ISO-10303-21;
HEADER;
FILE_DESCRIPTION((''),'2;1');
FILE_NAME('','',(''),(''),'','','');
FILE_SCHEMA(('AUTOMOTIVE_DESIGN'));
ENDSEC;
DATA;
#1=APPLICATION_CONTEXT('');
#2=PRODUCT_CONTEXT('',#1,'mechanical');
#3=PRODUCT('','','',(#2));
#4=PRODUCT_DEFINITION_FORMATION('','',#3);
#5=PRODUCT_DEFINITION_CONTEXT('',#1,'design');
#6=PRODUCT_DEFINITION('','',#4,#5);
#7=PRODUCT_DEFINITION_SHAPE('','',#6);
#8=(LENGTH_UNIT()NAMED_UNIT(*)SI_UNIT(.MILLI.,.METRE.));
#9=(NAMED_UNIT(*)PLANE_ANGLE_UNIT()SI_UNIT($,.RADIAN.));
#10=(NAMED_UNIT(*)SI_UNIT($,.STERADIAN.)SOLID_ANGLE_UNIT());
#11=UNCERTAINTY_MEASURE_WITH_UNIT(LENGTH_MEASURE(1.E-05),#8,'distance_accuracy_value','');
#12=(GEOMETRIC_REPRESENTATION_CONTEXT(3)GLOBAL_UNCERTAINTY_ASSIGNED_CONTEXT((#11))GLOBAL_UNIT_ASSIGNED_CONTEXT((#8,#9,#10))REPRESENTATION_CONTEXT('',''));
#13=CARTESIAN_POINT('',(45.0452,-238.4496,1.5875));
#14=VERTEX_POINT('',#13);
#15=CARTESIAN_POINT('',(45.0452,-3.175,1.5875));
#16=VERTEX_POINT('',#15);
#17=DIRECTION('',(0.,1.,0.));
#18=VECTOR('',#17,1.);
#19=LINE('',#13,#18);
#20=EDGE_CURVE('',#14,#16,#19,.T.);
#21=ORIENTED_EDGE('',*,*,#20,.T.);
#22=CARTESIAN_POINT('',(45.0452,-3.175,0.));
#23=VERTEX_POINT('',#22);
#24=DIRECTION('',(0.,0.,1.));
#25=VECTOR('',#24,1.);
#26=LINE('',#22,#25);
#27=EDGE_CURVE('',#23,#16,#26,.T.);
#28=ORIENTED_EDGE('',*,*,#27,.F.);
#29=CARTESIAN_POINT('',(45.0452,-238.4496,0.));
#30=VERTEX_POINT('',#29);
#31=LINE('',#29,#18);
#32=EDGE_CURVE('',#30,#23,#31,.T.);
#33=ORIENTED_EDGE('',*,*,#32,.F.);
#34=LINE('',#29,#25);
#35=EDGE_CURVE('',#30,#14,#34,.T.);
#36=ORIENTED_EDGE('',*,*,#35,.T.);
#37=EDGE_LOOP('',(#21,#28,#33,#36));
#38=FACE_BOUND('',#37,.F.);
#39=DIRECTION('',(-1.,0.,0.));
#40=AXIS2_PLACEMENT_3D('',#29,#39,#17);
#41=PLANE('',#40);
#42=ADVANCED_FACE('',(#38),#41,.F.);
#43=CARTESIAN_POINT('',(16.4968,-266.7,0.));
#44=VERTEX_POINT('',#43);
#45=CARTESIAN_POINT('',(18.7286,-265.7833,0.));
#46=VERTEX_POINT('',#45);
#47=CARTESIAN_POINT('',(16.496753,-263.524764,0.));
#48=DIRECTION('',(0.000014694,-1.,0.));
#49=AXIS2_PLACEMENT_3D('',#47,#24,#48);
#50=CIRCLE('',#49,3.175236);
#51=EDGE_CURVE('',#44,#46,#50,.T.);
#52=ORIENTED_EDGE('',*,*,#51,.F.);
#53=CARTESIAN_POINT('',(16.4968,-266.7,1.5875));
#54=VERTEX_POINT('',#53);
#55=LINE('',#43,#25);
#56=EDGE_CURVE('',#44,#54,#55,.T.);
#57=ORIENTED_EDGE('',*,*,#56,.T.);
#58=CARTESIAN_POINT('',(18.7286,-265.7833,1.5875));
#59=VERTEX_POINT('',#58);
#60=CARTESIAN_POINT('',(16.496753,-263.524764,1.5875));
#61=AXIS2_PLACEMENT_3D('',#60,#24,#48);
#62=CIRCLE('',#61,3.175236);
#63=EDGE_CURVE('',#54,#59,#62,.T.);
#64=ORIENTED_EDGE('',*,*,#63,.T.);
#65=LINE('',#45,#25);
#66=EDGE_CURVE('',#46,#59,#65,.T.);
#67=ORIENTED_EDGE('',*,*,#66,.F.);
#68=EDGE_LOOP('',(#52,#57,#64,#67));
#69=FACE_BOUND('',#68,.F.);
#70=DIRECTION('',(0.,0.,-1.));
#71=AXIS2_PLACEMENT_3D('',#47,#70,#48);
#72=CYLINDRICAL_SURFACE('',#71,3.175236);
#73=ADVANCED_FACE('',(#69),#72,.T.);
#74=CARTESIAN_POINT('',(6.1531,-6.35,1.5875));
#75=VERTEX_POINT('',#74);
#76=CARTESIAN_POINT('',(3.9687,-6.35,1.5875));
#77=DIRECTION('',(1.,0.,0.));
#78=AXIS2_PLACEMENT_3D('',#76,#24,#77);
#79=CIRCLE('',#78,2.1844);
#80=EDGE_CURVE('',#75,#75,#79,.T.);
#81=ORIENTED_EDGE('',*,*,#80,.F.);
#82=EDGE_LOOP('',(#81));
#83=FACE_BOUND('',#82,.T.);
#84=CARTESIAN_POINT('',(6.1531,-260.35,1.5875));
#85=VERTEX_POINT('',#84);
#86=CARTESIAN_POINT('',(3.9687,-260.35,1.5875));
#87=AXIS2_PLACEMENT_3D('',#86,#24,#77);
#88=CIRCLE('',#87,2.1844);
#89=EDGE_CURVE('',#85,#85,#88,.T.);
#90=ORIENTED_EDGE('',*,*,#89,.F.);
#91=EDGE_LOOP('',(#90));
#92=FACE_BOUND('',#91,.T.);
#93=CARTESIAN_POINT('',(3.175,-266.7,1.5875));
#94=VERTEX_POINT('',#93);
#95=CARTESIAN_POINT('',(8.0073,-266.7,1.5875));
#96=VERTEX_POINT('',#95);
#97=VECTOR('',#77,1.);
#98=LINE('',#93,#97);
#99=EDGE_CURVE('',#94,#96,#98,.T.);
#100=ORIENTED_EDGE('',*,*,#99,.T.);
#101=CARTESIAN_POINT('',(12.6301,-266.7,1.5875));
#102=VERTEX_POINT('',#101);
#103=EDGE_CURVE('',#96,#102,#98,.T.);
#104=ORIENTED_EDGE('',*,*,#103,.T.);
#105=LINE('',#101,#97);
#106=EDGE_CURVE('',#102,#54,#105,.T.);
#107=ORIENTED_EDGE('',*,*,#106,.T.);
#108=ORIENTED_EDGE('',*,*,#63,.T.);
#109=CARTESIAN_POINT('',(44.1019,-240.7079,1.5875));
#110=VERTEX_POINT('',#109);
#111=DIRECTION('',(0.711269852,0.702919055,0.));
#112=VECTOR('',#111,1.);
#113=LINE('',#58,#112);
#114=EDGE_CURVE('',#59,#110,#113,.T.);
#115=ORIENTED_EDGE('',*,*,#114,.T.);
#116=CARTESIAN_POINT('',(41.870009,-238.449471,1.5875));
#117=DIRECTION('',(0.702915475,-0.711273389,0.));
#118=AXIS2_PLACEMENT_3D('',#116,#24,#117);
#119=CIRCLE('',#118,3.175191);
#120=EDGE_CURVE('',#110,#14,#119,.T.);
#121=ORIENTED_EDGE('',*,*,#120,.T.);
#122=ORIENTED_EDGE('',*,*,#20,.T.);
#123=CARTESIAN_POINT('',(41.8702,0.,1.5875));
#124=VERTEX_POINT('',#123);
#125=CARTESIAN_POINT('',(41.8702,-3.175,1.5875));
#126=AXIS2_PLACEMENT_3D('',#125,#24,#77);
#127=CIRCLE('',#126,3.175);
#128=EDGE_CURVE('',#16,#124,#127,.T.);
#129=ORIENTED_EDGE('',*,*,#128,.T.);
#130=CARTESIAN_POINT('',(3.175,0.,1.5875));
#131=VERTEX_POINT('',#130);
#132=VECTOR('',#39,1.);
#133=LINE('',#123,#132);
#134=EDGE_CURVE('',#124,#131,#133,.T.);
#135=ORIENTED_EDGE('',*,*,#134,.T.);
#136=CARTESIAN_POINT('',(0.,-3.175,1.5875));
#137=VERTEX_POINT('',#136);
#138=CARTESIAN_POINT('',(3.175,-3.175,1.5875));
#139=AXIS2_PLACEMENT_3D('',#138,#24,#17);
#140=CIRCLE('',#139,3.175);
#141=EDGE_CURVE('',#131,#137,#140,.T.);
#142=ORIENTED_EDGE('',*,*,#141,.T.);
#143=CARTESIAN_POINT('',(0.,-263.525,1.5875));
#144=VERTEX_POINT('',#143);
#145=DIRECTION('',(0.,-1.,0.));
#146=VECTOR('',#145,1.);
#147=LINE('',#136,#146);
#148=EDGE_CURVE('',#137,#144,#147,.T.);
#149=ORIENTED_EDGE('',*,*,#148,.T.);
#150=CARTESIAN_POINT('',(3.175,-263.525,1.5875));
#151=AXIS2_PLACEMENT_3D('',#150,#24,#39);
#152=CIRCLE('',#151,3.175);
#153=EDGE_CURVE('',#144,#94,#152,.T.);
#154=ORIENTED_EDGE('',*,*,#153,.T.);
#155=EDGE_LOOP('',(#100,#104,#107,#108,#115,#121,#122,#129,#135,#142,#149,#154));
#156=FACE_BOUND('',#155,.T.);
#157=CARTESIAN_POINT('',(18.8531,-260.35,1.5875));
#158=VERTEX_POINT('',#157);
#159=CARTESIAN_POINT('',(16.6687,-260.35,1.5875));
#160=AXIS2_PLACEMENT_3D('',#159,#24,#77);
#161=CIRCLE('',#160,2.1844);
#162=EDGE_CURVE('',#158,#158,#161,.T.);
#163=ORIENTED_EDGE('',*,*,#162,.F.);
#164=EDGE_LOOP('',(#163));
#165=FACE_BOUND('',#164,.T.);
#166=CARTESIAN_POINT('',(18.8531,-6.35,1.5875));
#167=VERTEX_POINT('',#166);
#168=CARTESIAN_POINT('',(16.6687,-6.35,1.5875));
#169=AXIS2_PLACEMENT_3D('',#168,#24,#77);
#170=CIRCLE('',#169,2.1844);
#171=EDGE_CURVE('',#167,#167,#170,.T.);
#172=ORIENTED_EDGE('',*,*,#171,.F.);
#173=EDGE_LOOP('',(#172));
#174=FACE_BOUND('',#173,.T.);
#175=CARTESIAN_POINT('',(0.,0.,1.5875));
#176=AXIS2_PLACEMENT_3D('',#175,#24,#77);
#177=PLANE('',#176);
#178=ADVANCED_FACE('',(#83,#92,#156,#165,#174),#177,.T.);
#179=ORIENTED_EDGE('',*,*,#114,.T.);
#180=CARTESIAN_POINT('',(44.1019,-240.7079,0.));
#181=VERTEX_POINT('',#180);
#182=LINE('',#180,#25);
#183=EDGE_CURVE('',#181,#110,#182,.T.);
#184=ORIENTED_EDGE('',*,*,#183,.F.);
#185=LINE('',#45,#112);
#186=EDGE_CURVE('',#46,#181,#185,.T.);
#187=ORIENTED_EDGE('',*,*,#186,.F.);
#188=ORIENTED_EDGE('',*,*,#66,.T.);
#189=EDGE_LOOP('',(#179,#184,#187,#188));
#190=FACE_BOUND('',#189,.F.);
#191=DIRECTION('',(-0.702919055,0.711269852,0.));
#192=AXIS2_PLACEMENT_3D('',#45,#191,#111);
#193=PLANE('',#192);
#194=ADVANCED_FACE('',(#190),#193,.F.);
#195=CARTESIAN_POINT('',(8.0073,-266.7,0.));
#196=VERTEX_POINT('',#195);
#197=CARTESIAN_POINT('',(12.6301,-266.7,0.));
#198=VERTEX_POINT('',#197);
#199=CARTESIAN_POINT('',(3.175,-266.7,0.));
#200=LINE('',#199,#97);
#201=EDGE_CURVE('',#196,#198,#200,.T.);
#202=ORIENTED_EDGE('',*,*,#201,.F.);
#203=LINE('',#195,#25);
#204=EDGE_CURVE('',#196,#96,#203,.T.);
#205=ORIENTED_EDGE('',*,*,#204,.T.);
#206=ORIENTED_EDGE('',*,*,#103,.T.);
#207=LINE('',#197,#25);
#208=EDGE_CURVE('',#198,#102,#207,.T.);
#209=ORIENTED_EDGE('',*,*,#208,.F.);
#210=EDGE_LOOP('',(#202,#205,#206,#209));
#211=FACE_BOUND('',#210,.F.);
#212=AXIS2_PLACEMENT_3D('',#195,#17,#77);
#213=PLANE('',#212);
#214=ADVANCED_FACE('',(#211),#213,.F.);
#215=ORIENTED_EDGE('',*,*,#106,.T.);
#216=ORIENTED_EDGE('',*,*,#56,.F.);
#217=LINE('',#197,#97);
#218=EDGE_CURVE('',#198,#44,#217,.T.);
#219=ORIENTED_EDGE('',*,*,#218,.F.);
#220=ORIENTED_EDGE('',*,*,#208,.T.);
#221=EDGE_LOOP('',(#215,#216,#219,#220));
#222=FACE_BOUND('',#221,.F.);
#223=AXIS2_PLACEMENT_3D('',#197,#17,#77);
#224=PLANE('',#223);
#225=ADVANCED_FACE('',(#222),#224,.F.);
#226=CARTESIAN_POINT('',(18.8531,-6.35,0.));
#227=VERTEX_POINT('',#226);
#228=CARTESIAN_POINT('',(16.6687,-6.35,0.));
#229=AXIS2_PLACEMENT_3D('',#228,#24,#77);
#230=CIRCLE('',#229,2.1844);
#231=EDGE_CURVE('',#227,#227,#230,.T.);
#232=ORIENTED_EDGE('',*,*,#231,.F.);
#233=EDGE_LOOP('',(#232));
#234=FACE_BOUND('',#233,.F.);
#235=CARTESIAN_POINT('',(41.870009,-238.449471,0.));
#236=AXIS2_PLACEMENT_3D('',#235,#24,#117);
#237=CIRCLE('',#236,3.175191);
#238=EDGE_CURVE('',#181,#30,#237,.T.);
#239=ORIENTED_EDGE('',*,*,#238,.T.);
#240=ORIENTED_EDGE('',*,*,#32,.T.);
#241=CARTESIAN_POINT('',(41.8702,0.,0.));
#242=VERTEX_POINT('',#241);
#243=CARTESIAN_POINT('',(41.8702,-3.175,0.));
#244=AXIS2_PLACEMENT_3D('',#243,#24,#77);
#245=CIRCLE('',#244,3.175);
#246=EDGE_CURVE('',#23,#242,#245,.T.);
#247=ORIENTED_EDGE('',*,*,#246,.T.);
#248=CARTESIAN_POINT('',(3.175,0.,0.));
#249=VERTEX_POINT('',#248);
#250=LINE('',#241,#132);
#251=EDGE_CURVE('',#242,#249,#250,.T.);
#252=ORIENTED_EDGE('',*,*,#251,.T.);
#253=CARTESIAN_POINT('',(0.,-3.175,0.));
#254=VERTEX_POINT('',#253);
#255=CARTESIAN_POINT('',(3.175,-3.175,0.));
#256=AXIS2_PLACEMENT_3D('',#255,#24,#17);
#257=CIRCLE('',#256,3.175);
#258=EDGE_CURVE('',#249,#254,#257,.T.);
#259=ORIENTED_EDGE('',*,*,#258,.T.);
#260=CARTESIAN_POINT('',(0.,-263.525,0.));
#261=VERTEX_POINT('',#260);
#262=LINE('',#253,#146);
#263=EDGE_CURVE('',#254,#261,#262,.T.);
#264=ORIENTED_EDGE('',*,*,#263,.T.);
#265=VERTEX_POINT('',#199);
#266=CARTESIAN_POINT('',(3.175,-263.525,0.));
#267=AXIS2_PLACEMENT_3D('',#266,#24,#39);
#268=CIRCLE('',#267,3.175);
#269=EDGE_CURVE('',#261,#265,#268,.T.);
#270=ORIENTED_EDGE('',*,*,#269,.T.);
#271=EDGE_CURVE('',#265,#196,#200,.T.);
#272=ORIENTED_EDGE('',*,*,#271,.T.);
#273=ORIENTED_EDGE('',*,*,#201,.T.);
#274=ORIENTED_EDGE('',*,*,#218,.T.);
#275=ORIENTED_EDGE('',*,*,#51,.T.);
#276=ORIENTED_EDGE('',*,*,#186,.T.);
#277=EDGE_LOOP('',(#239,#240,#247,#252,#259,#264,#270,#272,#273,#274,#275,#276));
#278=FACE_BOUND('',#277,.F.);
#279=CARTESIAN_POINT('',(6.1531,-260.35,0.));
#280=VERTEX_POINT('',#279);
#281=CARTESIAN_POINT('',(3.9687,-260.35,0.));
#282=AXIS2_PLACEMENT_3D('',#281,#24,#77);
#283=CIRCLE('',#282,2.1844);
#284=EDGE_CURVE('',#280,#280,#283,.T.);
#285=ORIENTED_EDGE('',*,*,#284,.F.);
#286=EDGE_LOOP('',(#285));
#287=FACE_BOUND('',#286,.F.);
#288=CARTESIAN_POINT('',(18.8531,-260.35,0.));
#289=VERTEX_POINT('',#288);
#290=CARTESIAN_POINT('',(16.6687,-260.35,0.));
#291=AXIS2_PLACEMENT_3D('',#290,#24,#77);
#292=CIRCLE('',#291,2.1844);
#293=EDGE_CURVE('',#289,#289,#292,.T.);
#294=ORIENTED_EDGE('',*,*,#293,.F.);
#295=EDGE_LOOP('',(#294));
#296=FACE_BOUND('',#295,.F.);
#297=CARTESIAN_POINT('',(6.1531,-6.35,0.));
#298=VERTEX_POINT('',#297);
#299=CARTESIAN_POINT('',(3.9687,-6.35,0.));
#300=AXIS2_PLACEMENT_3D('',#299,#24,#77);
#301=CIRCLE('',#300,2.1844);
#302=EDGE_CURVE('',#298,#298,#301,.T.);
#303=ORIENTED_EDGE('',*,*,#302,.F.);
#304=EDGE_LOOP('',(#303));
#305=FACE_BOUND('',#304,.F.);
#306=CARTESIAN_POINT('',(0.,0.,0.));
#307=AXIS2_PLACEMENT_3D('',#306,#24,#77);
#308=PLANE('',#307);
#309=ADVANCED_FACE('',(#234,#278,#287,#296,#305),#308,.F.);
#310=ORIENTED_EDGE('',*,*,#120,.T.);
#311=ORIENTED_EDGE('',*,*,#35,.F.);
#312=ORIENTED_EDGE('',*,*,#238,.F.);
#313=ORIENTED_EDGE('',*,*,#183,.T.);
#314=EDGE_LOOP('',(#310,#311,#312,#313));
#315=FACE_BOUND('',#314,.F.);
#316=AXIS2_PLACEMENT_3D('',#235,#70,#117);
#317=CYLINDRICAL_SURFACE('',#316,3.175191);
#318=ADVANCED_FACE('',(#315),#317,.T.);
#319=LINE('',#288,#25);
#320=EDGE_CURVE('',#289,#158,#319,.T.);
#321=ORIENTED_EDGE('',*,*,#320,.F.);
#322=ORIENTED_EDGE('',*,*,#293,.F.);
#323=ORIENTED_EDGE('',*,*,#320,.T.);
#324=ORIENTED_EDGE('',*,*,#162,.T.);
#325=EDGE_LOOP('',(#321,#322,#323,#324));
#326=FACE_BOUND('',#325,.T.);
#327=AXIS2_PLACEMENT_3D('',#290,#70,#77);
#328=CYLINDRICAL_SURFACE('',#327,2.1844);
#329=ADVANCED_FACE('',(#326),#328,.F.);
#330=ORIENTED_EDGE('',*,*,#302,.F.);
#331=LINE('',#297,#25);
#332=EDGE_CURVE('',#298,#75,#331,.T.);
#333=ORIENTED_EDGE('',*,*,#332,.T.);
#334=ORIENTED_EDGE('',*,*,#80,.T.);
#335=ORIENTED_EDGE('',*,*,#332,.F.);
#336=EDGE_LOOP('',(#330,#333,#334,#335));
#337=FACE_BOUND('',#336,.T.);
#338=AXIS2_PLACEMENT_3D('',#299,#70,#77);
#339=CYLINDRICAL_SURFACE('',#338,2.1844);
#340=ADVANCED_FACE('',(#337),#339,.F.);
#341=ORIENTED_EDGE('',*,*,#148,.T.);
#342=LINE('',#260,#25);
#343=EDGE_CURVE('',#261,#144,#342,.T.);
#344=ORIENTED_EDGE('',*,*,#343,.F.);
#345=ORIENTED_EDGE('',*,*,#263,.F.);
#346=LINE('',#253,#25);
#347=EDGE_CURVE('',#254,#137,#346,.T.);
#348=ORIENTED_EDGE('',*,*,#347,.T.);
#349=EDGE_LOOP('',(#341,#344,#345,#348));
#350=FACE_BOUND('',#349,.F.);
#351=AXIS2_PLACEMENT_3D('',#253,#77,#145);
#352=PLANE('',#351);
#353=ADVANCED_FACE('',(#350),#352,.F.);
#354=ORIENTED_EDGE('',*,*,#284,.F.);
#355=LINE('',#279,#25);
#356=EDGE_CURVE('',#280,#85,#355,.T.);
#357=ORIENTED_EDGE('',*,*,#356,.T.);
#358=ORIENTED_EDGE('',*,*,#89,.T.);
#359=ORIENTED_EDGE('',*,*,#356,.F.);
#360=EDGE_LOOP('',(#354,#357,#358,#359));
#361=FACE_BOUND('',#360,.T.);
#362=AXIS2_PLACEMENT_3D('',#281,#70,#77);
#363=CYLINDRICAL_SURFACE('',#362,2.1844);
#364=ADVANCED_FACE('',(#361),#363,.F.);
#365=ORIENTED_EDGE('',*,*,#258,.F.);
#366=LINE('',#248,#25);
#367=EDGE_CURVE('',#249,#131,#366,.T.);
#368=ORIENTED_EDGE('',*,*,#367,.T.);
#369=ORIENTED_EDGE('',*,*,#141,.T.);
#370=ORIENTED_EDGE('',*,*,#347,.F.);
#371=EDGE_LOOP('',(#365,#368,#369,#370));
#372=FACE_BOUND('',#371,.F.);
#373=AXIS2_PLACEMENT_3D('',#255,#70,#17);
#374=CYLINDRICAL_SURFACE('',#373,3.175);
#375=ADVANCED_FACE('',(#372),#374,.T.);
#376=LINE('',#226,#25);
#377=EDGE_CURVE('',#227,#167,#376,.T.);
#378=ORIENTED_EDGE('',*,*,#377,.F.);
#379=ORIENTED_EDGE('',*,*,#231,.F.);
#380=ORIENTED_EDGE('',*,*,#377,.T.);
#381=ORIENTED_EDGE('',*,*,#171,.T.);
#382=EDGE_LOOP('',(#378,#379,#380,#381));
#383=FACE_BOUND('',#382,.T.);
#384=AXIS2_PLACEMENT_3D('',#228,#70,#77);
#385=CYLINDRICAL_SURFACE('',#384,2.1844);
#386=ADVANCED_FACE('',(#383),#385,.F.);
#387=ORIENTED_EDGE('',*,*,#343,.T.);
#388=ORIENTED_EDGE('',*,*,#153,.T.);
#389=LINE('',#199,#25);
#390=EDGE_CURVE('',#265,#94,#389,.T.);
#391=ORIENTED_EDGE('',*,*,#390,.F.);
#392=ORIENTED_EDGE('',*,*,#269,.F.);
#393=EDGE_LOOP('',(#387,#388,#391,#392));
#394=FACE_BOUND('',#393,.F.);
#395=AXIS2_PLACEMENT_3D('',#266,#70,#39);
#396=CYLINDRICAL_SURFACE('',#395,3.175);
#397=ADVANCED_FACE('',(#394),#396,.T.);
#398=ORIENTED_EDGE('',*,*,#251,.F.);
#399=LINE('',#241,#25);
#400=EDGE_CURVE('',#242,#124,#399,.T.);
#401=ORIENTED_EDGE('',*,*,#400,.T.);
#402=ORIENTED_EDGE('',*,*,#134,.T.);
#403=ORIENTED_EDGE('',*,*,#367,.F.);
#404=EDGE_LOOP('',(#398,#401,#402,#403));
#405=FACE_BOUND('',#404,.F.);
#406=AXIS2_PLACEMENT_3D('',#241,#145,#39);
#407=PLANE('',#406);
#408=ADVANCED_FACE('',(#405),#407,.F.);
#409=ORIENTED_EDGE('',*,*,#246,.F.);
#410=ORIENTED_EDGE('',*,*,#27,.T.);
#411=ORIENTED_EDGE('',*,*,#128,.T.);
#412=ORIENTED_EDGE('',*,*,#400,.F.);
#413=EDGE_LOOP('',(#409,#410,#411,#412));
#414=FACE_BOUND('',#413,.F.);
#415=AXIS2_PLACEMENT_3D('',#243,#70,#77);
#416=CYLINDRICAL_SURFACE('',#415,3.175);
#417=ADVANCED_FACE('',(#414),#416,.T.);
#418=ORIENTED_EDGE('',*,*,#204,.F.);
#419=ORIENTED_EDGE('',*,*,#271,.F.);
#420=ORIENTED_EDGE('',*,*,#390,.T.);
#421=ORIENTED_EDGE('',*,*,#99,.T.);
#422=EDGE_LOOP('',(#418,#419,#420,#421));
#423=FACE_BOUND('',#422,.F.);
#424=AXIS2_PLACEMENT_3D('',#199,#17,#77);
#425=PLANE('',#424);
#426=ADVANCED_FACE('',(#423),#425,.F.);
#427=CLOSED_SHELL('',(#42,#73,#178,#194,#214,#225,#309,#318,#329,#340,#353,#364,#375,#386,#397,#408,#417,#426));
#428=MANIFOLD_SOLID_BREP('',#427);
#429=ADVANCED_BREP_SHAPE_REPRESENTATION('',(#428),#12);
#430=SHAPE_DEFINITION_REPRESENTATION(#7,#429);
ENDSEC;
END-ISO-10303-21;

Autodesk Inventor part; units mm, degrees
ref_plane "YZ Plane" through (0, 0, 0) normal (1, 0, 0) x (0, 1, 0)
ref_plane "XZ Plane" through (0, 0, 0) normal (0, 1, 0) x (-1, 0, 0)
ref_plane "XY Plane" through (0, 0, 0) normal (0, 0, 1) x (1, 0, 0)
sketch "Sketch1" plane through (0, 0, 0) normal (0, 0, 1) x (1, 0, 0)
  circle A0 centre (3.9687, -260.35) radius 2.1844
  circle A1 centre (16.6687, -260.35) radius 2.1844
  circle A2 centre (3.9687, -6.35) radius 2.1844
  circle A3 centre (16.6687, -6.35) radius 2.1844
  line L0 (3.175, -266.7) -> (8.0073, -266.7)
  line L1 (12.6301, -266.7) -> (16.4968, -266.7)
  line L2 (41.8702, 0) -> (3.175, 0)
  line L3 (3.175, -266.7) -> (16.4968, -266.7)
  line L4 (45.0452, -238.4496) -> (45.0452, -3.175)
  line L5 (41.8702, 0) -> (3.175, 0)
  line L6 (0, -3.175) -> (0, -263.525)
  circle A4 centre (3.9687, -260.35) radius 2.1844
  circle A5 centre (16.6687, -260.35) radius 2.1844
  circle A6 centre (3.9687, -6.35) radius 2.1844
  circle A7 centre (16.6687, -6.35) radius 2.1844
  arc A8 (0, -263.525) -> (3.175, -266.7) centre (3.175, -263.525) ccw
  arc A9 (3.175, 0) -> (0, -3.175) centre (3.175, -3.175) ccw
  arc A10 (45.0452, -3.175) -> (41.8702, 0) centre (41.8702, -3.175) ccw
  line L7 (18.7286, -265.7833) -> (44.1019, -240.7079)
  arc A11 (16.4968, -266.7) -> (18.7286, -265.7833) centre (16.4968, -263.525) ccw
  arc A12 (44.1019, -240.7079) -> (45.0452, -238.4496) centre (41.8702, -238.4496) ccw
  point P0 (0, 0)
  point P1 (18.3752, -266.7)
  point P2 (19.0379, -265.4777)
  point P3 (21.2768, -266.7)
  point P4 (45.0452, -243.1716)
  point P5 (43.8497, -240.9572)
  dimension "d5" = 3.175
extrude "Extrusion1" add sketch "Sketch1" along normal blind 1.5875
properties part number "wingplexi"
